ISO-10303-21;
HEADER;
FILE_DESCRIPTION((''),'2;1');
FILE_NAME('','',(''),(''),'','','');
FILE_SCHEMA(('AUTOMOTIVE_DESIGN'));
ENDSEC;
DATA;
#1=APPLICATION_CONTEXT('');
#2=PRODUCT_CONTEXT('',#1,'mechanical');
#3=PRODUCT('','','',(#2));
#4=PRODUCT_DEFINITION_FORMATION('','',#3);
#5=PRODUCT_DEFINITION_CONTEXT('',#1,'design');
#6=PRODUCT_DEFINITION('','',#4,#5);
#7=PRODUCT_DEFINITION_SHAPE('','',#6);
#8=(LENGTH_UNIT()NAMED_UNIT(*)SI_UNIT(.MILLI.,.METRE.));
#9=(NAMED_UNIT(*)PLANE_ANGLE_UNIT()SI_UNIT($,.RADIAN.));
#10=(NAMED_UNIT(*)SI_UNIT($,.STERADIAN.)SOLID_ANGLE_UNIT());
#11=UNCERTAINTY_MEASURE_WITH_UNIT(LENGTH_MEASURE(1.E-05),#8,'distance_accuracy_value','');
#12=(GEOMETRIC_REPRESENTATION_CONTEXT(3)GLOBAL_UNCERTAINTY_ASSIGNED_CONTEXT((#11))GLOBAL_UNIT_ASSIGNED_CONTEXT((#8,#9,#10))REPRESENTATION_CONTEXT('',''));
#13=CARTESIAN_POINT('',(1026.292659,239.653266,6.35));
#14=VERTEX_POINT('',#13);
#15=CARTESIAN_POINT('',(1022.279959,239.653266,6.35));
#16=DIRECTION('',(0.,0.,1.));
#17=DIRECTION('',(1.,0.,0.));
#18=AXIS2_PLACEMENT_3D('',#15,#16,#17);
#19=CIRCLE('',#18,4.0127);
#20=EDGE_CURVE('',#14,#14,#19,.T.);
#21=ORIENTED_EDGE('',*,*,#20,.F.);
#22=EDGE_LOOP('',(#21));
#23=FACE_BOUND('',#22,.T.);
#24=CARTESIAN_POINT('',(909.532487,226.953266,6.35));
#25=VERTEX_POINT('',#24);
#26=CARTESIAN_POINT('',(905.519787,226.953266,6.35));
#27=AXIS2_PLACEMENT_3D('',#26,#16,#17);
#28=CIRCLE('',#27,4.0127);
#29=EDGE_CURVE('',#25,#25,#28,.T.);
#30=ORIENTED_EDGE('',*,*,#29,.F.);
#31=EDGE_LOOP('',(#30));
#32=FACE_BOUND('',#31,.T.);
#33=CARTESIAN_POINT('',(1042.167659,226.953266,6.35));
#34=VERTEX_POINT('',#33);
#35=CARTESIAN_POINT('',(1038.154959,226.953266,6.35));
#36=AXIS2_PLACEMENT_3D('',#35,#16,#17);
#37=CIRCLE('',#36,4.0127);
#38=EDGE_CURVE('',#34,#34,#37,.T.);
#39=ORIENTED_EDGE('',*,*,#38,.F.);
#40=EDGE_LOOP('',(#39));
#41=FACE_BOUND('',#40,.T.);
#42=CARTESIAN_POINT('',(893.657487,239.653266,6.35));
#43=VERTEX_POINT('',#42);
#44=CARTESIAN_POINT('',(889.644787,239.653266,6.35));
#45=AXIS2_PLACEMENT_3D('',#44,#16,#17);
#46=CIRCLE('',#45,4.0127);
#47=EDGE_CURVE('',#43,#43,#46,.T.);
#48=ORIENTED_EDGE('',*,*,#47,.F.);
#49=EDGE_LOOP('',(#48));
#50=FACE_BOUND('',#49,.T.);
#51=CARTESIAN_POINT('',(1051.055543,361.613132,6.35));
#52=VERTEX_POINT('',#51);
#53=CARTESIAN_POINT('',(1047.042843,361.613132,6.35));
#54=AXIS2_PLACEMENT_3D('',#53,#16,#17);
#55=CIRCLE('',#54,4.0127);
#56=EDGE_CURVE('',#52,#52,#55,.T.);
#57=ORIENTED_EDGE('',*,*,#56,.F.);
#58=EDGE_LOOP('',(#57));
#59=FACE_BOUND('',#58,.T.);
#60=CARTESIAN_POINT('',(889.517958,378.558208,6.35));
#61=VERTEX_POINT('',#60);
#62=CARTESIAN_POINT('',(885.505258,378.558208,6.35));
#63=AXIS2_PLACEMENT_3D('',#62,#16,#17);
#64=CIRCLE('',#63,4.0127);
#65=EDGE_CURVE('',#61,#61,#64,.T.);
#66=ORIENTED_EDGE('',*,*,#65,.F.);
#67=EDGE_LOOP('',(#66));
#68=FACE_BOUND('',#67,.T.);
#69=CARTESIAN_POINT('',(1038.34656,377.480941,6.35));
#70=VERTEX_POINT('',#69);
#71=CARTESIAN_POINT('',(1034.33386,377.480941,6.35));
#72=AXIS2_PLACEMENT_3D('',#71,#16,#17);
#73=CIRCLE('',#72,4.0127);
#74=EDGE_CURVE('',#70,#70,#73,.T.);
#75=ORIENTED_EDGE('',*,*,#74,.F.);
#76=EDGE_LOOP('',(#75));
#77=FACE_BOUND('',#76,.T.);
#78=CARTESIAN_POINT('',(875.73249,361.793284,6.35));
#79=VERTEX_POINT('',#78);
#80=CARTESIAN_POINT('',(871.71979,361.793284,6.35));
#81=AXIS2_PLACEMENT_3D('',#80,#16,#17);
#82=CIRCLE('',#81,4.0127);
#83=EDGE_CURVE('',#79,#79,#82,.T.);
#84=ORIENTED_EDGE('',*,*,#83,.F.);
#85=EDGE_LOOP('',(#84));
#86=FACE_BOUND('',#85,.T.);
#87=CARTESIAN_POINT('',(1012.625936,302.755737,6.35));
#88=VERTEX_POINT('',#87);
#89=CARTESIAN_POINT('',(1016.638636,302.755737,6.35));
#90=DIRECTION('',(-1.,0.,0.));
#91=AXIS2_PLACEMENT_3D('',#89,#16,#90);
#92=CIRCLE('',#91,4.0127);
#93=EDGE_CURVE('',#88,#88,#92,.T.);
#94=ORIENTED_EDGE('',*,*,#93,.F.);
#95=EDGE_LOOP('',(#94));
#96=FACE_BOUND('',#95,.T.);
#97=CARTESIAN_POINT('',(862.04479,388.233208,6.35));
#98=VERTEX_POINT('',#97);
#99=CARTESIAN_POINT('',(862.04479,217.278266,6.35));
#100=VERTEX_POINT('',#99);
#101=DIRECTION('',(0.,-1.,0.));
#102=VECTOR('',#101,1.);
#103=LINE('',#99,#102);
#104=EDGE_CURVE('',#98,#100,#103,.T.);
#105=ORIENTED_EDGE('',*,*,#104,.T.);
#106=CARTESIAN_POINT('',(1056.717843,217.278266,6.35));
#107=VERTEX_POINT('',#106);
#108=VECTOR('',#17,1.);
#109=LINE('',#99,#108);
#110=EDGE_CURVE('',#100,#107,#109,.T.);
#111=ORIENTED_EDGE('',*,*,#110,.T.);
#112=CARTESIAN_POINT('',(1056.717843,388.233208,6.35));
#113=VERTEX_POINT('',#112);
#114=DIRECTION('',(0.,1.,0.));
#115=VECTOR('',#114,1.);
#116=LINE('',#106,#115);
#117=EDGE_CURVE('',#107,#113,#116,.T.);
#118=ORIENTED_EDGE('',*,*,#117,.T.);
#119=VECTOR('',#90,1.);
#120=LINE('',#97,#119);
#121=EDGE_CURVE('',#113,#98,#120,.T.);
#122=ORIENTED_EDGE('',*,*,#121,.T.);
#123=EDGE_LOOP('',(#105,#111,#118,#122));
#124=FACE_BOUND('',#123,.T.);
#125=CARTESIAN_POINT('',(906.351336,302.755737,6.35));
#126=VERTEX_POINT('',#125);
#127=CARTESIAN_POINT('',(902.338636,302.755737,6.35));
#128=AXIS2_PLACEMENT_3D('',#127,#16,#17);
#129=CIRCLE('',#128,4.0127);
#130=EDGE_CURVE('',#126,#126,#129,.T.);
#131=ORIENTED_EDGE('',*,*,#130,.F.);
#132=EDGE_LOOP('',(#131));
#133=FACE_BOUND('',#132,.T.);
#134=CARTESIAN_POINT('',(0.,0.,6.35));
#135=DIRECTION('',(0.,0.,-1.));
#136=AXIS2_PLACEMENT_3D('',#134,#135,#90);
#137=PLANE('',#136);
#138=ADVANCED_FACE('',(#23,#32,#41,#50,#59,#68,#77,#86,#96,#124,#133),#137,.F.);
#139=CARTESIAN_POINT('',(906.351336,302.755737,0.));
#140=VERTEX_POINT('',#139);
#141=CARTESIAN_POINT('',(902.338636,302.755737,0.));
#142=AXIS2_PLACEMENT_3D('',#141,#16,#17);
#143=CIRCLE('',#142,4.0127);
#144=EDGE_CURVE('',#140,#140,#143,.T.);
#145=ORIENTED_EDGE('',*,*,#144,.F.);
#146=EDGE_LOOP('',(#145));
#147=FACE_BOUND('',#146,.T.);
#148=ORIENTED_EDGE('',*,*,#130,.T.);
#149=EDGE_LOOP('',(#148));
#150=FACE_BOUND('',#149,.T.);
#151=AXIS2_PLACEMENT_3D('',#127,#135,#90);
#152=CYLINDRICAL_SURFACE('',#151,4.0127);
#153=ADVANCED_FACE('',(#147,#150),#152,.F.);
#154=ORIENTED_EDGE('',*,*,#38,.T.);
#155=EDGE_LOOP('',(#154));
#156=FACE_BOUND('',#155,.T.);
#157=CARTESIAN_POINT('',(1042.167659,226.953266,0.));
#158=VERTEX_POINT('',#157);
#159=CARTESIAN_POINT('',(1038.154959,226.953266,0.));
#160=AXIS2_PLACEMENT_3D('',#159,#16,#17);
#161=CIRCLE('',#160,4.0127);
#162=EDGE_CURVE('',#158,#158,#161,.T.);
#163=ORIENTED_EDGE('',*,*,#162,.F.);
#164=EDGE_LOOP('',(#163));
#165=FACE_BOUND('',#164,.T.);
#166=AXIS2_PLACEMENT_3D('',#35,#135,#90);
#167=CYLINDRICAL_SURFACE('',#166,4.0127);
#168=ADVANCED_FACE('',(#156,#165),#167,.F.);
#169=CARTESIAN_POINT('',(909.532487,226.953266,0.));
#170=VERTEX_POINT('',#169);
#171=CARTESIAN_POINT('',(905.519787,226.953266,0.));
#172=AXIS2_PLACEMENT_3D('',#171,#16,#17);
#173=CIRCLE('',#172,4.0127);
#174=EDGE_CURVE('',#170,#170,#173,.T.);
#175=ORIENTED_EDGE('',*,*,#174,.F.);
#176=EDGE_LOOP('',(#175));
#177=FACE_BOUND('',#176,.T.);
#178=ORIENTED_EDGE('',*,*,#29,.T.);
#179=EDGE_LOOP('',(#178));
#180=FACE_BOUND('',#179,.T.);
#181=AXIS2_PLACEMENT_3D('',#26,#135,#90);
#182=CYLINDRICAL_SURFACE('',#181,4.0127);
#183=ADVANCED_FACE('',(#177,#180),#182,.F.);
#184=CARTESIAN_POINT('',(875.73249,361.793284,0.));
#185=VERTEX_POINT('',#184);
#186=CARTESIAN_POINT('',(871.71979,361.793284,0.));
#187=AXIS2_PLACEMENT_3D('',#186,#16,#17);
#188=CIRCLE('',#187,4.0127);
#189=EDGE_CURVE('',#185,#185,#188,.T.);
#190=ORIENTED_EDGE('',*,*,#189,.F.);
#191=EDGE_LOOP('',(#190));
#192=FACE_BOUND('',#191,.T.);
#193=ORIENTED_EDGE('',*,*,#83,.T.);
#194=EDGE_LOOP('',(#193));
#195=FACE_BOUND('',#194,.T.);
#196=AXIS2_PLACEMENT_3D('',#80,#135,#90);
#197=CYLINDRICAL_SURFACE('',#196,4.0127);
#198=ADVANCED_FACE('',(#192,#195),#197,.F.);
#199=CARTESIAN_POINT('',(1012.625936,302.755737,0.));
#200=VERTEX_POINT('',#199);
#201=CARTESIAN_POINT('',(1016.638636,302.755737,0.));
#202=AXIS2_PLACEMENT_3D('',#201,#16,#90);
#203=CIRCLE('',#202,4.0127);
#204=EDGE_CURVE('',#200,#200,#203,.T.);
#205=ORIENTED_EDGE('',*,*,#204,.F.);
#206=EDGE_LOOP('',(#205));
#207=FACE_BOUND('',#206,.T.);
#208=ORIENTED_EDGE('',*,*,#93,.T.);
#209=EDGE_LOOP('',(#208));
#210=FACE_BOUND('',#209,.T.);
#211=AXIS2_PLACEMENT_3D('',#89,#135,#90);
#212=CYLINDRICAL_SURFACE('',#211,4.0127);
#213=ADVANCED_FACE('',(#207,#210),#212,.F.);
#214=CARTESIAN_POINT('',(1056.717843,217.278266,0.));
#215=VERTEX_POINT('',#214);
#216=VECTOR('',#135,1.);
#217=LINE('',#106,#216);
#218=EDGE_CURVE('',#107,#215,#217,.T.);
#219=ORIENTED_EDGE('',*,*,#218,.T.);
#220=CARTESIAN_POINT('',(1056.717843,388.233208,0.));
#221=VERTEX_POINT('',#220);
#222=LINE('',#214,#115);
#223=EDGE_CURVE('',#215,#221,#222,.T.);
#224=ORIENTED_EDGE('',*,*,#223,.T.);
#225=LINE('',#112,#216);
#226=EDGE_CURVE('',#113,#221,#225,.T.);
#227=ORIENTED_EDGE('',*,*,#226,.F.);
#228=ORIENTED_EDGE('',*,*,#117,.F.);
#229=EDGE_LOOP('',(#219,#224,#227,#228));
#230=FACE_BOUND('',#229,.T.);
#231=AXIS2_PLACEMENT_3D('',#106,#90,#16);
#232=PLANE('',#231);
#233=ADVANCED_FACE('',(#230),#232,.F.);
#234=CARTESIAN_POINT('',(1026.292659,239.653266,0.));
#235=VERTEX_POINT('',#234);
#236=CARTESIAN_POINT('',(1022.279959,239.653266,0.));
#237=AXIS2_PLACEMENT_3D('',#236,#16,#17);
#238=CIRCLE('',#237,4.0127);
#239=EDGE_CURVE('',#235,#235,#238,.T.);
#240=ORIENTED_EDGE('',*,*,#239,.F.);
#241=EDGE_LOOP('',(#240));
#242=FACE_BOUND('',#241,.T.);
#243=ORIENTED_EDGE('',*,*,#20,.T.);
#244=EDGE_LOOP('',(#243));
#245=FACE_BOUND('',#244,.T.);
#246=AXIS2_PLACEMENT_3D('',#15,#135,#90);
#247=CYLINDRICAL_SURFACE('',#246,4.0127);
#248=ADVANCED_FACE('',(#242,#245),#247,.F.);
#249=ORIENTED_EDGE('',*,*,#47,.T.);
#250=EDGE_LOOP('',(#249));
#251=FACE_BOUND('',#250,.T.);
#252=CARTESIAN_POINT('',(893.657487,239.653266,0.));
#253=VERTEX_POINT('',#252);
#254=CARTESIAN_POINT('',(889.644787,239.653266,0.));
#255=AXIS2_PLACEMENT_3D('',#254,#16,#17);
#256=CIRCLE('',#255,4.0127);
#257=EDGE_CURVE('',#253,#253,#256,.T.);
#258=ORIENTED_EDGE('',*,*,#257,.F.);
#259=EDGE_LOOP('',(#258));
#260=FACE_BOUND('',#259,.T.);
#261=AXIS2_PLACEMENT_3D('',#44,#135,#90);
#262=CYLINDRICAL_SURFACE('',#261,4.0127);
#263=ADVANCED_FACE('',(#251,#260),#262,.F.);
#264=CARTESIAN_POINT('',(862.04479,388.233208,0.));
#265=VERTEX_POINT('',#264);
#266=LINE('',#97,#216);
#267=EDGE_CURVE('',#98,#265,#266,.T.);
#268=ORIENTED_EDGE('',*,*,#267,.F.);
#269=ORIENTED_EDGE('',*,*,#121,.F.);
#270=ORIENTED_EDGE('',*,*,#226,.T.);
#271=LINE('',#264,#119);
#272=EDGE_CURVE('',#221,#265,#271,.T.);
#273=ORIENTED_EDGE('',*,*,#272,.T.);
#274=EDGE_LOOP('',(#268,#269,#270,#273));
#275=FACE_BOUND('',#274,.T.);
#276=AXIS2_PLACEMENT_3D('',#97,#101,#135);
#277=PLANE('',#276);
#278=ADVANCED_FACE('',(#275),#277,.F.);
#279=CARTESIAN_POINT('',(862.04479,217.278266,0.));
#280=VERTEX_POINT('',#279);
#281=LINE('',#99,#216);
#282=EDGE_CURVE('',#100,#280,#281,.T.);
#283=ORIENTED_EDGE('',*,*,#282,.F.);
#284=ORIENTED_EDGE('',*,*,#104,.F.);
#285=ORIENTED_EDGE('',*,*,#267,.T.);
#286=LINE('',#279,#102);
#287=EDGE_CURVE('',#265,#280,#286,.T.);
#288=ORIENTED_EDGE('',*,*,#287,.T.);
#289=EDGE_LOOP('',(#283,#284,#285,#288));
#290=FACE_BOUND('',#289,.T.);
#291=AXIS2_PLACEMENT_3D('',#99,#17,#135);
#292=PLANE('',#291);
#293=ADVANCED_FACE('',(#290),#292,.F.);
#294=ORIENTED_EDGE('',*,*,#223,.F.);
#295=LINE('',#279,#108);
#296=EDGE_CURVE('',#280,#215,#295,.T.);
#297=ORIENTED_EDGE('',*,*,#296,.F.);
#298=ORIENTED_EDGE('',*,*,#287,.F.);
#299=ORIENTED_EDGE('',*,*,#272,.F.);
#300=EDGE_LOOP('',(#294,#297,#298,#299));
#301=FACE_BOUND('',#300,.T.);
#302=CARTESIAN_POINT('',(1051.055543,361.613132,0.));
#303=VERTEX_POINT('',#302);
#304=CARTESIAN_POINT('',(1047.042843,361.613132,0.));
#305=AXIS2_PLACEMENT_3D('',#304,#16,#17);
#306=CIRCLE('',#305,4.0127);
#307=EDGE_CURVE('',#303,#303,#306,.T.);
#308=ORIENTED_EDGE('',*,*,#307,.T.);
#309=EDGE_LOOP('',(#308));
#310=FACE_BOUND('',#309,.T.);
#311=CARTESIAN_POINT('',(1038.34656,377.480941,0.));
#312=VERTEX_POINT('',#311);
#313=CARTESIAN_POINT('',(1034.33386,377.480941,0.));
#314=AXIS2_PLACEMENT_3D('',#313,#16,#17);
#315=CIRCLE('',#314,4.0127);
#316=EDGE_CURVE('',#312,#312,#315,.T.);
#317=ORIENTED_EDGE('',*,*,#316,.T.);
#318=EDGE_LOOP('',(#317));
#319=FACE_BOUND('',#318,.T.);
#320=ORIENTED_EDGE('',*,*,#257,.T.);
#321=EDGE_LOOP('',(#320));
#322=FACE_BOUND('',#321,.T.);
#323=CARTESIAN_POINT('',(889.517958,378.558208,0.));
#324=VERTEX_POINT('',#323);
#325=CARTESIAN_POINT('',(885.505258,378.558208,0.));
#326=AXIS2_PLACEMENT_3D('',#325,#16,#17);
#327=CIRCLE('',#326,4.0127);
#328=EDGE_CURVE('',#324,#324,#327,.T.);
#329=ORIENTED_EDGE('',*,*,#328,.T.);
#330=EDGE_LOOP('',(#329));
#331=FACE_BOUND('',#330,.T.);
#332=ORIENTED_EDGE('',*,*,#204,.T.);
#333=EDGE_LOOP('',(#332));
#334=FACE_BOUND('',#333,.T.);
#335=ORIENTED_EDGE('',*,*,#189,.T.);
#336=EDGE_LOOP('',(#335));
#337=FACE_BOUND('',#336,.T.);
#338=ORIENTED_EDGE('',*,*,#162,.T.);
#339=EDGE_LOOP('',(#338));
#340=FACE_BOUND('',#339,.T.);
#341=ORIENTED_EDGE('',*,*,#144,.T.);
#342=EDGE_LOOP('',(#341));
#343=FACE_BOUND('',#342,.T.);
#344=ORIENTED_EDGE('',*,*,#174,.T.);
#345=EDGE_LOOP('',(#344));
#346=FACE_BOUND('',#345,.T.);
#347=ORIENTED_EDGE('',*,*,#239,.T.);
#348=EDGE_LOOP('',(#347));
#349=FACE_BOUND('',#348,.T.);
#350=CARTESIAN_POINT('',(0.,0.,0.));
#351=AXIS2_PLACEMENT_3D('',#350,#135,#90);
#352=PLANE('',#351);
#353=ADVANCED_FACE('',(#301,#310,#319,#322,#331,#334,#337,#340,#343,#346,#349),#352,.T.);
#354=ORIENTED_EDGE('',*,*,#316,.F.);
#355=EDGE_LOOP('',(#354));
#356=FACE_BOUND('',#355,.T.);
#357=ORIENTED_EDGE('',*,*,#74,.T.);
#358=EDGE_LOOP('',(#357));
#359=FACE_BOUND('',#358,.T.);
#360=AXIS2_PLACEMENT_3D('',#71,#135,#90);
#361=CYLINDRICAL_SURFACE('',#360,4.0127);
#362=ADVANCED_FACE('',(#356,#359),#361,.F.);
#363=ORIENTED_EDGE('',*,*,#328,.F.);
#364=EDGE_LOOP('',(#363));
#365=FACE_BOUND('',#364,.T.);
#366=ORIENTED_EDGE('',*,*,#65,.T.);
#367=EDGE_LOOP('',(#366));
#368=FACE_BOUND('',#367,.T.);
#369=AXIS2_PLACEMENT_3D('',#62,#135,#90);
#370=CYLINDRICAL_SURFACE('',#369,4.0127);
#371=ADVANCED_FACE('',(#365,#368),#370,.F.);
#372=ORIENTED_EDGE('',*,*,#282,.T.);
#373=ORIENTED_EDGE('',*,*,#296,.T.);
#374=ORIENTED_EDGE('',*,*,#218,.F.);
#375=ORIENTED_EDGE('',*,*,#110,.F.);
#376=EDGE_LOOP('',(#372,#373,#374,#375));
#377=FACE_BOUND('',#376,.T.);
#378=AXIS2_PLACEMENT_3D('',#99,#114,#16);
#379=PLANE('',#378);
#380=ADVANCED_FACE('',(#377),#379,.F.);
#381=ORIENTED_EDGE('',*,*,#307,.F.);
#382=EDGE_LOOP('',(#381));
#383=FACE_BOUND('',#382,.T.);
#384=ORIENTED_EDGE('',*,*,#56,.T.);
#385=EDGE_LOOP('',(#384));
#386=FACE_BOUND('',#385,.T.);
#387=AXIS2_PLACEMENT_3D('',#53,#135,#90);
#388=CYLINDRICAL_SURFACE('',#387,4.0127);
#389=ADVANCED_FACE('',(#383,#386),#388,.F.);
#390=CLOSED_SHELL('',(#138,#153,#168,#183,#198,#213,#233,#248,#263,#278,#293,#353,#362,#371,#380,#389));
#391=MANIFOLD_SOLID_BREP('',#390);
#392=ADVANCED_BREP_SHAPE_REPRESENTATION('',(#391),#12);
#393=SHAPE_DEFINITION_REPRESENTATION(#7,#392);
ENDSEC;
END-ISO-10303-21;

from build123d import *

# Parameters (mm, degrees)
SKETCH1_W           = 194.673052653
SKETCH1_H           = 170.954941939
SKETCH1_R           = 4.0127
BOSS_EXTRUDE1_DEPTH = 6.35


with BuildPart() as part:
    # Sketch1 → Boss-Extrude1 (new body)
    with BuildSketch(Plane.XY):
        with Locations((959.381316203, 302.755736555)):
            Rectangle(SKETCH1_W, SKETCH1_H)
        with Locations((1022.279959413, 239.653265586)):
            Circle(SKETCH1_R, mode=Mode.SUBTRACT)
        with Locations((1038.154959413, 226.953265586)):
            Circle(SKETCH1_R, mode=Mode.SUBTRACT)
        with Locations((889.644786871, 239.653265586)):
            Circle(SKETCH1_R, mode=Mode.SUBTRACT)
        with Locations((1034.333859926, 377.480941448)):
            Circle(SKETCH1_R, mode=Mode.SUBTRACT)
        with Locations((1047.042842529, 361.613131701)):
            Circle(SKETCH1_R, mode=Mode.SUBTRACT)
        with Locations((871.719789876, 361.793284425)):
            Circle(SKETCH1_R, mode=Mode.SUBTRACT)
        with Locations((885.505258454, 378.558207525)):
            Circle(SKETCH1_R, mode=Mode.SUBTRACT)
        with Locations((905.519786871, 226.953265586)):
            Circle(SKETCH1_R, mode=Mode.SUBTRACT)
        with Locations((902.338636269, 302.755736555)):
            Circle(SKETCH1_R, mode=Mode.SUBTRACT)
        with Locations(Location((1016.638636269, 302.755736555, 0), (0, 0, 180))):
            Circle(SKETCH1_R, mode=Mode.SUBTRACT)
    extrude(amount=BOSS_EXTRUDE1_DEPTH)


solid = part.part
